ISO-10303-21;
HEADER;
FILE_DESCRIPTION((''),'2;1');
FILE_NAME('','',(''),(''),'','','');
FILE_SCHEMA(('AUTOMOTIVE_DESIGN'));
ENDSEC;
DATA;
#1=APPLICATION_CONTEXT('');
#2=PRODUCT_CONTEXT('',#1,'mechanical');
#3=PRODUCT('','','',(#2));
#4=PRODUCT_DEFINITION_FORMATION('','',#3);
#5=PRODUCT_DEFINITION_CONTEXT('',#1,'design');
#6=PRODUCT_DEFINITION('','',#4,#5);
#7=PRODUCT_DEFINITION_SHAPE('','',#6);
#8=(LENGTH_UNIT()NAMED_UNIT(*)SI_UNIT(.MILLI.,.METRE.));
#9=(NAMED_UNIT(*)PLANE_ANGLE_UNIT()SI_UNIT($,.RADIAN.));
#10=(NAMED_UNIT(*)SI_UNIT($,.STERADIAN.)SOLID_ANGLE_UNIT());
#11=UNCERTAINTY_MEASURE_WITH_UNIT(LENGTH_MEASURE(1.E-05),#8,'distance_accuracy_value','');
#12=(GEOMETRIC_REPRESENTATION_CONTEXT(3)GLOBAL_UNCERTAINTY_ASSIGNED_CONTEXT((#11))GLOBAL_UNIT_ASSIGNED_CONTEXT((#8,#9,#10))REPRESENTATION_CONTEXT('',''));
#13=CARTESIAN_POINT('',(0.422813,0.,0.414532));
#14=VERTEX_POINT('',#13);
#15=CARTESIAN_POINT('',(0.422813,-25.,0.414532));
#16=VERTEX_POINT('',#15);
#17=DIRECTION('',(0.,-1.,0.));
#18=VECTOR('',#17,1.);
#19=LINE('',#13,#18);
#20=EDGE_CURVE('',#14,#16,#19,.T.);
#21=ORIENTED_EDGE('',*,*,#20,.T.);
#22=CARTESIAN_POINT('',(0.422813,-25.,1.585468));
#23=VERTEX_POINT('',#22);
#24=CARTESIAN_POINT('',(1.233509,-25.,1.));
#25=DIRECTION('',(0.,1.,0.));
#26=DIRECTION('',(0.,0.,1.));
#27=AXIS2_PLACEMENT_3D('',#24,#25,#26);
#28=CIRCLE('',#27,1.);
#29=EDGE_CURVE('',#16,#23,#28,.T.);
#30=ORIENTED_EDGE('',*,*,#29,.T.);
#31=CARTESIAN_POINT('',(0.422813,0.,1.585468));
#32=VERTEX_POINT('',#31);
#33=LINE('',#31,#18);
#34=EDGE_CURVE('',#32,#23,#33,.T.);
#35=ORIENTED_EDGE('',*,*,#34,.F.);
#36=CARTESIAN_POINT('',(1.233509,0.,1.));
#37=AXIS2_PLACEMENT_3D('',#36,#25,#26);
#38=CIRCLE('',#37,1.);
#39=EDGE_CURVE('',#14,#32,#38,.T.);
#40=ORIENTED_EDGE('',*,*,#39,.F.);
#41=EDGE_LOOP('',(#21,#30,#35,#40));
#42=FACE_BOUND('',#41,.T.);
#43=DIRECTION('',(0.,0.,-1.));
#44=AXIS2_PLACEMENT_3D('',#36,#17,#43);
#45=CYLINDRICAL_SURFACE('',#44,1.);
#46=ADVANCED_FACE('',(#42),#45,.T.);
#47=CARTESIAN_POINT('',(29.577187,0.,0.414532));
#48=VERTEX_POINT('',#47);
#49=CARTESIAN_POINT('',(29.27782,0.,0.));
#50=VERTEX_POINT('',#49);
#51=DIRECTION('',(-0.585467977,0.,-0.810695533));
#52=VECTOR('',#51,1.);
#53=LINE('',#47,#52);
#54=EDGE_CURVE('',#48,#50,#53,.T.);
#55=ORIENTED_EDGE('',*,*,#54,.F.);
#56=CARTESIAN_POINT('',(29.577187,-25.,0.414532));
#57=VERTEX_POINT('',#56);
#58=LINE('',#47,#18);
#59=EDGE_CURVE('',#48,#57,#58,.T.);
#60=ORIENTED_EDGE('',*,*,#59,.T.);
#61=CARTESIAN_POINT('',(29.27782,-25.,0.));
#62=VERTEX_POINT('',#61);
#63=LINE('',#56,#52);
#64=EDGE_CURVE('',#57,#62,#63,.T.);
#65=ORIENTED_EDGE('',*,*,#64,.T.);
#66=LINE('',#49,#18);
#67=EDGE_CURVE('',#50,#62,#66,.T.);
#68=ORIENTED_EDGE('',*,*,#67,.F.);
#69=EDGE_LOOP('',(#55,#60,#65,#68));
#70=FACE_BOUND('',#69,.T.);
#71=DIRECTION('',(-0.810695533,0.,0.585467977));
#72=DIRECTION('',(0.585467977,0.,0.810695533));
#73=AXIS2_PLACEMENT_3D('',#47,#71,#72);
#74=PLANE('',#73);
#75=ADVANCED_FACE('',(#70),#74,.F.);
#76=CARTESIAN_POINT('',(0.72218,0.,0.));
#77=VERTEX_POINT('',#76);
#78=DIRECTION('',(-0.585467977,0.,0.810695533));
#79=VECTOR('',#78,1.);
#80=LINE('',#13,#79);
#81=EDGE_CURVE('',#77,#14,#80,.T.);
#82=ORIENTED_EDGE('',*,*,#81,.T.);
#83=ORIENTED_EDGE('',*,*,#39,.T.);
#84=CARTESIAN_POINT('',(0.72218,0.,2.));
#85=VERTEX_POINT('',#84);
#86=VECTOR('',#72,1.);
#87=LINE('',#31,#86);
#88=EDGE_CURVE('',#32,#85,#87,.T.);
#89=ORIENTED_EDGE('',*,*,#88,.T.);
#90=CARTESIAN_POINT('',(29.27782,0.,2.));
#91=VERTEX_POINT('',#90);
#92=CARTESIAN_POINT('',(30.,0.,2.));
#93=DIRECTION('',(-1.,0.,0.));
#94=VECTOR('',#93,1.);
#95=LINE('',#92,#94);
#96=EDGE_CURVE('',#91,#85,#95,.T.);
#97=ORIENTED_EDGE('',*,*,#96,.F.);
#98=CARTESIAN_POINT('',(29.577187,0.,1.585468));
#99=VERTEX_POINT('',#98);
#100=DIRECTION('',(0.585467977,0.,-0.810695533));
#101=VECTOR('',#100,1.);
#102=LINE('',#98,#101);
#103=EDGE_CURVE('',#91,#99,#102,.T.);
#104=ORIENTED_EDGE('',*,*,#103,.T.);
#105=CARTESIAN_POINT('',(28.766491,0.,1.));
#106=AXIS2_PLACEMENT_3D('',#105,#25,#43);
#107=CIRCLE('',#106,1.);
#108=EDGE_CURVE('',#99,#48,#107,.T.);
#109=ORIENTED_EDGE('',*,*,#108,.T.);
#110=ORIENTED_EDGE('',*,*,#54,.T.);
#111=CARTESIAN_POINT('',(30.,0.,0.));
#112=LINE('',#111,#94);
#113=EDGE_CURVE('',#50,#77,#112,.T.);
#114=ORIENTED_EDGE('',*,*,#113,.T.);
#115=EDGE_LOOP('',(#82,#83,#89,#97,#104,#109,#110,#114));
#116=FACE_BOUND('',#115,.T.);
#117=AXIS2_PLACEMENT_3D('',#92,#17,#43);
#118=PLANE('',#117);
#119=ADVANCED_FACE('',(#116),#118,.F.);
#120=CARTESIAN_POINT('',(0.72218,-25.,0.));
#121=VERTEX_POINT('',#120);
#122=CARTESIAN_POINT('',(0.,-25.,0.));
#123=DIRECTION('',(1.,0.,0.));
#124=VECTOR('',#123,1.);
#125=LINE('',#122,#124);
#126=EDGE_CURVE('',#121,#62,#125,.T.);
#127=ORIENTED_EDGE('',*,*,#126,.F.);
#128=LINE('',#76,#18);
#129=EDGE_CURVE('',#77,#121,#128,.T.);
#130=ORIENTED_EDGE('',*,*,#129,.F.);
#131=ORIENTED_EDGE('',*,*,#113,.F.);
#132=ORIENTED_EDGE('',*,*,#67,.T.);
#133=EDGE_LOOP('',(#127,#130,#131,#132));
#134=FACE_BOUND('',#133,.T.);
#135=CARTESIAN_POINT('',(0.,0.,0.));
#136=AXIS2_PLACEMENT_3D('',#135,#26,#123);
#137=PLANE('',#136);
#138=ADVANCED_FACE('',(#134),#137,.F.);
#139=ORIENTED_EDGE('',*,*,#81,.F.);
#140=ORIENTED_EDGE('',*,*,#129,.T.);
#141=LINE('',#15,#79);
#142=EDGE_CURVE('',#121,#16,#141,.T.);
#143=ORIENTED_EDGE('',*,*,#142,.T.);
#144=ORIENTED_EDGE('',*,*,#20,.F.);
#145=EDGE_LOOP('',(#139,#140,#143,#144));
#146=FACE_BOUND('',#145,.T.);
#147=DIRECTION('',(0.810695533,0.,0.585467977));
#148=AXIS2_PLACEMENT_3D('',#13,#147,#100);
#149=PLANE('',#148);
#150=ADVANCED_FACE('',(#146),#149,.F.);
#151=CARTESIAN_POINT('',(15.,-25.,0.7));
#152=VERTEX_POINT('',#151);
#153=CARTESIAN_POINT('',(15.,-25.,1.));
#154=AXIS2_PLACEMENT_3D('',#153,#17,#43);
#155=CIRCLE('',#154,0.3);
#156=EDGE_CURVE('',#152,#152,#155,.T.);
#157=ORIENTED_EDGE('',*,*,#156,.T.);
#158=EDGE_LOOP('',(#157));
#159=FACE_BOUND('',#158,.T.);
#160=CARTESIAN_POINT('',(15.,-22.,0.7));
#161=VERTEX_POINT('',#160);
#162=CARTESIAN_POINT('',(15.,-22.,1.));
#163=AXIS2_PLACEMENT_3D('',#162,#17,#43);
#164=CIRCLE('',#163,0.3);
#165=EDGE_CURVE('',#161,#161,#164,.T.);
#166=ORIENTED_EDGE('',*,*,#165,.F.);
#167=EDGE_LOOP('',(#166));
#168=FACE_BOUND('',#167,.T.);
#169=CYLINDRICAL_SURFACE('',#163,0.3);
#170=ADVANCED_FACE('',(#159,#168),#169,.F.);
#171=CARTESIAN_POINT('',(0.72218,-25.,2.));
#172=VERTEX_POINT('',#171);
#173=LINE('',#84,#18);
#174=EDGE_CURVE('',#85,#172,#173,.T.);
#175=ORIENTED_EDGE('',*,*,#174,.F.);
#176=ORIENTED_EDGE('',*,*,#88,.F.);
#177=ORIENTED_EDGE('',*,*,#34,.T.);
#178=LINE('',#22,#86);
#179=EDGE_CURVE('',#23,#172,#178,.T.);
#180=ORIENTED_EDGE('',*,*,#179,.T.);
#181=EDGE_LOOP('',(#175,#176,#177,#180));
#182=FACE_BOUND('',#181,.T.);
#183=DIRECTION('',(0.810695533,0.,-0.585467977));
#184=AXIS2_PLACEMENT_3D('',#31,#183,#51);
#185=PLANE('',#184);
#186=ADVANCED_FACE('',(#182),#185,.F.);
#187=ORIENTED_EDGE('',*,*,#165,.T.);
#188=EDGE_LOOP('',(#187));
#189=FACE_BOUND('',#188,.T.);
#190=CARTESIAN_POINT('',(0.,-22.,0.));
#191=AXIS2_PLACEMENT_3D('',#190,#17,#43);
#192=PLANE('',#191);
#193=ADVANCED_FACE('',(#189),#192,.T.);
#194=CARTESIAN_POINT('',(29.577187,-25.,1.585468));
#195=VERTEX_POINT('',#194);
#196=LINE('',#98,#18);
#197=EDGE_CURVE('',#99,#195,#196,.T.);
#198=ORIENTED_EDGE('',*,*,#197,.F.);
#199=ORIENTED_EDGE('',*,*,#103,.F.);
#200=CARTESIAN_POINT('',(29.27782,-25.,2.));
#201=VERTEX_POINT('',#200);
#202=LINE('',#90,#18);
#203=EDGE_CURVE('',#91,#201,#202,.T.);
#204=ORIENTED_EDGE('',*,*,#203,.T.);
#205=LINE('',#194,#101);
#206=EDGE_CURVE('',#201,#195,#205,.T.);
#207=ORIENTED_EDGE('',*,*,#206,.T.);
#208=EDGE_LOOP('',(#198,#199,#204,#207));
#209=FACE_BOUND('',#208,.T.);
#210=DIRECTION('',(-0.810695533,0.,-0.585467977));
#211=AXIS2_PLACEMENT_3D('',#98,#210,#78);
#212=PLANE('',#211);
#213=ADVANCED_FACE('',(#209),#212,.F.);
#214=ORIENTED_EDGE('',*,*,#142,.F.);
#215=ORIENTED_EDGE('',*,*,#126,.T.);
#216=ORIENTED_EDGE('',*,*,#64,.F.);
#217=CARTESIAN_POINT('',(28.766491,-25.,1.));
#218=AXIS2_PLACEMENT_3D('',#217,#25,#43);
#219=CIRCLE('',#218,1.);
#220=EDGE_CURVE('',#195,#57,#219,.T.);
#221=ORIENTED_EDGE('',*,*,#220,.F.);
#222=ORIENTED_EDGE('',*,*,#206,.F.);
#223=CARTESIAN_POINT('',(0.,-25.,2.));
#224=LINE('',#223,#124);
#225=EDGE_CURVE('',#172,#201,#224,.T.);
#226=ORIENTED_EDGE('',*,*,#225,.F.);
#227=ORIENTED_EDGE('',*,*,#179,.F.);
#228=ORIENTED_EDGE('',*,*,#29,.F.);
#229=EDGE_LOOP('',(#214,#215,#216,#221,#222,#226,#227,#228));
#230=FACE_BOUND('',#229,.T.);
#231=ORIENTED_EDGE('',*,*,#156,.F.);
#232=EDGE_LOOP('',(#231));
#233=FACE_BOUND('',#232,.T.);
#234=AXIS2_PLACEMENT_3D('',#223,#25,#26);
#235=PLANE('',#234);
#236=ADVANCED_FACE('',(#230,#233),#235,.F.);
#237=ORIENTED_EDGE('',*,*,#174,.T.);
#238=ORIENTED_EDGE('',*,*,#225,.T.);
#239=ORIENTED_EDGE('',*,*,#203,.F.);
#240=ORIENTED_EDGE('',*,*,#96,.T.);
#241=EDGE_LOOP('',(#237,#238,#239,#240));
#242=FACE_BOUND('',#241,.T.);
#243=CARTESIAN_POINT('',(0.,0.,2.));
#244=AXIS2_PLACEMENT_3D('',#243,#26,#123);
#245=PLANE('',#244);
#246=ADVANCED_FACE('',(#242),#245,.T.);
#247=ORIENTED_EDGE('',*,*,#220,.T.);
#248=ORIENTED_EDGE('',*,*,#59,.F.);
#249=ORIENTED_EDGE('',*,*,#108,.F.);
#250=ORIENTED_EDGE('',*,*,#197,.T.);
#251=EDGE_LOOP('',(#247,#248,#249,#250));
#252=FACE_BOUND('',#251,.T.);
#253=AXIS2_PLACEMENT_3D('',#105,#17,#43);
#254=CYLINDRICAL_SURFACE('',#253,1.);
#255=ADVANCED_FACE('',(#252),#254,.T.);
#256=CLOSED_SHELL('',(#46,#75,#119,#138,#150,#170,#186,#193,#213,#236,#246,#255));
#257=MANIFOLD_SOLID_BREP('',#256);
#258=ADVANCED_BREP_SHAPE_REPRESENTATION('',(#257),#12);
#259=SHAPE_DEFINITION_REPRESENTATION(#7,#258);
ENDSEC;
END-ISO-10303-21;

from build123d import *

# Parameters (mm, degrees)
SKETCH_1_W          = 30
SKETCH_1_H          = 25
EXTRUDE_1_DEPTH     = 2
CUT_EXTRUDE_1_DEPTH = 40.102429592
CUT_EXTRUDE_2_DEPTH = 3


with BuildPart() as part:
    # 草图1 → 凸台-拉伸1 (new body)
    with BuildSketch(Plane.XY):
        with Locations((15, -12.5)):
            Rectangle(SKETCH_1_W, SKETCH_1_H)
    extrude(amount=EXTRUDE_1_DEPTH)

    # 草图2 → 切除-拉伸1 (cut, through all)
    with BuildSketch(Plane.XZ.offset(25)):
        with BuildLine():
            Line((0.422813175, 1.585467977), (0.722179849, 2))
            Line((0.722179849, 2), (0, 2))
            Line((0, 2), (0, 1))
            Line((0, 1), (0, 0))
            Line((0, 0), (0.722179849, 0))
            Line((0.722179849, 0), (0.422813175, 0.414532023))
            ThreePointArc((0.422813175, 0.414532023), (0.233508708, 1), (0.422813175, 1.585467977))
        make_face()
        with BuildLine():
            Line((30, 0), (30, 1))
            Line((30, 1), (30, 2))
            Line((30, 2), (29.277820151, 2))
            Line((29.277820151, 2), (29.577186825, 1.585467977))
            ThreePointArc((29.577186825, 1.585467977), (29.766491292, 1), (29.577186825, 0.414532023))
            Line((29.577186825, 0.414532023), (29.277820151, 0))
            Line((29.277820151, 0), (30, 0))
        make_face()
    extrude(amount=-CUT_EXTRUDE_1_DEPTH, mode=Mode.SUBTRACT)

    # 草图3 → 切除-拉伸2 (cut)
    with BuildSketch(Plane.XZ.offset(25)):
        with BuildLine():
            ThreePointArc((15.3, 1), (15.212132034, 1.212132034), (15, 1.3))
            Line((15, 1.3), (15, 0.7))
            ThreePointArc((15, 0.7), (15.212132034, 0.787867966), (15.3, 1))
        make_face()
        with BuildLine():
            Line((15, 0.7), (15, 1.3))
            ThreePointArc((15, 1.3), (14.7, 1), (15, 0.7))
        make_face()
    extrude(amount=-CUT_EXTRUDE_2_DEPTH, mode=Mode.SUBTRACT)


solid = part.part
